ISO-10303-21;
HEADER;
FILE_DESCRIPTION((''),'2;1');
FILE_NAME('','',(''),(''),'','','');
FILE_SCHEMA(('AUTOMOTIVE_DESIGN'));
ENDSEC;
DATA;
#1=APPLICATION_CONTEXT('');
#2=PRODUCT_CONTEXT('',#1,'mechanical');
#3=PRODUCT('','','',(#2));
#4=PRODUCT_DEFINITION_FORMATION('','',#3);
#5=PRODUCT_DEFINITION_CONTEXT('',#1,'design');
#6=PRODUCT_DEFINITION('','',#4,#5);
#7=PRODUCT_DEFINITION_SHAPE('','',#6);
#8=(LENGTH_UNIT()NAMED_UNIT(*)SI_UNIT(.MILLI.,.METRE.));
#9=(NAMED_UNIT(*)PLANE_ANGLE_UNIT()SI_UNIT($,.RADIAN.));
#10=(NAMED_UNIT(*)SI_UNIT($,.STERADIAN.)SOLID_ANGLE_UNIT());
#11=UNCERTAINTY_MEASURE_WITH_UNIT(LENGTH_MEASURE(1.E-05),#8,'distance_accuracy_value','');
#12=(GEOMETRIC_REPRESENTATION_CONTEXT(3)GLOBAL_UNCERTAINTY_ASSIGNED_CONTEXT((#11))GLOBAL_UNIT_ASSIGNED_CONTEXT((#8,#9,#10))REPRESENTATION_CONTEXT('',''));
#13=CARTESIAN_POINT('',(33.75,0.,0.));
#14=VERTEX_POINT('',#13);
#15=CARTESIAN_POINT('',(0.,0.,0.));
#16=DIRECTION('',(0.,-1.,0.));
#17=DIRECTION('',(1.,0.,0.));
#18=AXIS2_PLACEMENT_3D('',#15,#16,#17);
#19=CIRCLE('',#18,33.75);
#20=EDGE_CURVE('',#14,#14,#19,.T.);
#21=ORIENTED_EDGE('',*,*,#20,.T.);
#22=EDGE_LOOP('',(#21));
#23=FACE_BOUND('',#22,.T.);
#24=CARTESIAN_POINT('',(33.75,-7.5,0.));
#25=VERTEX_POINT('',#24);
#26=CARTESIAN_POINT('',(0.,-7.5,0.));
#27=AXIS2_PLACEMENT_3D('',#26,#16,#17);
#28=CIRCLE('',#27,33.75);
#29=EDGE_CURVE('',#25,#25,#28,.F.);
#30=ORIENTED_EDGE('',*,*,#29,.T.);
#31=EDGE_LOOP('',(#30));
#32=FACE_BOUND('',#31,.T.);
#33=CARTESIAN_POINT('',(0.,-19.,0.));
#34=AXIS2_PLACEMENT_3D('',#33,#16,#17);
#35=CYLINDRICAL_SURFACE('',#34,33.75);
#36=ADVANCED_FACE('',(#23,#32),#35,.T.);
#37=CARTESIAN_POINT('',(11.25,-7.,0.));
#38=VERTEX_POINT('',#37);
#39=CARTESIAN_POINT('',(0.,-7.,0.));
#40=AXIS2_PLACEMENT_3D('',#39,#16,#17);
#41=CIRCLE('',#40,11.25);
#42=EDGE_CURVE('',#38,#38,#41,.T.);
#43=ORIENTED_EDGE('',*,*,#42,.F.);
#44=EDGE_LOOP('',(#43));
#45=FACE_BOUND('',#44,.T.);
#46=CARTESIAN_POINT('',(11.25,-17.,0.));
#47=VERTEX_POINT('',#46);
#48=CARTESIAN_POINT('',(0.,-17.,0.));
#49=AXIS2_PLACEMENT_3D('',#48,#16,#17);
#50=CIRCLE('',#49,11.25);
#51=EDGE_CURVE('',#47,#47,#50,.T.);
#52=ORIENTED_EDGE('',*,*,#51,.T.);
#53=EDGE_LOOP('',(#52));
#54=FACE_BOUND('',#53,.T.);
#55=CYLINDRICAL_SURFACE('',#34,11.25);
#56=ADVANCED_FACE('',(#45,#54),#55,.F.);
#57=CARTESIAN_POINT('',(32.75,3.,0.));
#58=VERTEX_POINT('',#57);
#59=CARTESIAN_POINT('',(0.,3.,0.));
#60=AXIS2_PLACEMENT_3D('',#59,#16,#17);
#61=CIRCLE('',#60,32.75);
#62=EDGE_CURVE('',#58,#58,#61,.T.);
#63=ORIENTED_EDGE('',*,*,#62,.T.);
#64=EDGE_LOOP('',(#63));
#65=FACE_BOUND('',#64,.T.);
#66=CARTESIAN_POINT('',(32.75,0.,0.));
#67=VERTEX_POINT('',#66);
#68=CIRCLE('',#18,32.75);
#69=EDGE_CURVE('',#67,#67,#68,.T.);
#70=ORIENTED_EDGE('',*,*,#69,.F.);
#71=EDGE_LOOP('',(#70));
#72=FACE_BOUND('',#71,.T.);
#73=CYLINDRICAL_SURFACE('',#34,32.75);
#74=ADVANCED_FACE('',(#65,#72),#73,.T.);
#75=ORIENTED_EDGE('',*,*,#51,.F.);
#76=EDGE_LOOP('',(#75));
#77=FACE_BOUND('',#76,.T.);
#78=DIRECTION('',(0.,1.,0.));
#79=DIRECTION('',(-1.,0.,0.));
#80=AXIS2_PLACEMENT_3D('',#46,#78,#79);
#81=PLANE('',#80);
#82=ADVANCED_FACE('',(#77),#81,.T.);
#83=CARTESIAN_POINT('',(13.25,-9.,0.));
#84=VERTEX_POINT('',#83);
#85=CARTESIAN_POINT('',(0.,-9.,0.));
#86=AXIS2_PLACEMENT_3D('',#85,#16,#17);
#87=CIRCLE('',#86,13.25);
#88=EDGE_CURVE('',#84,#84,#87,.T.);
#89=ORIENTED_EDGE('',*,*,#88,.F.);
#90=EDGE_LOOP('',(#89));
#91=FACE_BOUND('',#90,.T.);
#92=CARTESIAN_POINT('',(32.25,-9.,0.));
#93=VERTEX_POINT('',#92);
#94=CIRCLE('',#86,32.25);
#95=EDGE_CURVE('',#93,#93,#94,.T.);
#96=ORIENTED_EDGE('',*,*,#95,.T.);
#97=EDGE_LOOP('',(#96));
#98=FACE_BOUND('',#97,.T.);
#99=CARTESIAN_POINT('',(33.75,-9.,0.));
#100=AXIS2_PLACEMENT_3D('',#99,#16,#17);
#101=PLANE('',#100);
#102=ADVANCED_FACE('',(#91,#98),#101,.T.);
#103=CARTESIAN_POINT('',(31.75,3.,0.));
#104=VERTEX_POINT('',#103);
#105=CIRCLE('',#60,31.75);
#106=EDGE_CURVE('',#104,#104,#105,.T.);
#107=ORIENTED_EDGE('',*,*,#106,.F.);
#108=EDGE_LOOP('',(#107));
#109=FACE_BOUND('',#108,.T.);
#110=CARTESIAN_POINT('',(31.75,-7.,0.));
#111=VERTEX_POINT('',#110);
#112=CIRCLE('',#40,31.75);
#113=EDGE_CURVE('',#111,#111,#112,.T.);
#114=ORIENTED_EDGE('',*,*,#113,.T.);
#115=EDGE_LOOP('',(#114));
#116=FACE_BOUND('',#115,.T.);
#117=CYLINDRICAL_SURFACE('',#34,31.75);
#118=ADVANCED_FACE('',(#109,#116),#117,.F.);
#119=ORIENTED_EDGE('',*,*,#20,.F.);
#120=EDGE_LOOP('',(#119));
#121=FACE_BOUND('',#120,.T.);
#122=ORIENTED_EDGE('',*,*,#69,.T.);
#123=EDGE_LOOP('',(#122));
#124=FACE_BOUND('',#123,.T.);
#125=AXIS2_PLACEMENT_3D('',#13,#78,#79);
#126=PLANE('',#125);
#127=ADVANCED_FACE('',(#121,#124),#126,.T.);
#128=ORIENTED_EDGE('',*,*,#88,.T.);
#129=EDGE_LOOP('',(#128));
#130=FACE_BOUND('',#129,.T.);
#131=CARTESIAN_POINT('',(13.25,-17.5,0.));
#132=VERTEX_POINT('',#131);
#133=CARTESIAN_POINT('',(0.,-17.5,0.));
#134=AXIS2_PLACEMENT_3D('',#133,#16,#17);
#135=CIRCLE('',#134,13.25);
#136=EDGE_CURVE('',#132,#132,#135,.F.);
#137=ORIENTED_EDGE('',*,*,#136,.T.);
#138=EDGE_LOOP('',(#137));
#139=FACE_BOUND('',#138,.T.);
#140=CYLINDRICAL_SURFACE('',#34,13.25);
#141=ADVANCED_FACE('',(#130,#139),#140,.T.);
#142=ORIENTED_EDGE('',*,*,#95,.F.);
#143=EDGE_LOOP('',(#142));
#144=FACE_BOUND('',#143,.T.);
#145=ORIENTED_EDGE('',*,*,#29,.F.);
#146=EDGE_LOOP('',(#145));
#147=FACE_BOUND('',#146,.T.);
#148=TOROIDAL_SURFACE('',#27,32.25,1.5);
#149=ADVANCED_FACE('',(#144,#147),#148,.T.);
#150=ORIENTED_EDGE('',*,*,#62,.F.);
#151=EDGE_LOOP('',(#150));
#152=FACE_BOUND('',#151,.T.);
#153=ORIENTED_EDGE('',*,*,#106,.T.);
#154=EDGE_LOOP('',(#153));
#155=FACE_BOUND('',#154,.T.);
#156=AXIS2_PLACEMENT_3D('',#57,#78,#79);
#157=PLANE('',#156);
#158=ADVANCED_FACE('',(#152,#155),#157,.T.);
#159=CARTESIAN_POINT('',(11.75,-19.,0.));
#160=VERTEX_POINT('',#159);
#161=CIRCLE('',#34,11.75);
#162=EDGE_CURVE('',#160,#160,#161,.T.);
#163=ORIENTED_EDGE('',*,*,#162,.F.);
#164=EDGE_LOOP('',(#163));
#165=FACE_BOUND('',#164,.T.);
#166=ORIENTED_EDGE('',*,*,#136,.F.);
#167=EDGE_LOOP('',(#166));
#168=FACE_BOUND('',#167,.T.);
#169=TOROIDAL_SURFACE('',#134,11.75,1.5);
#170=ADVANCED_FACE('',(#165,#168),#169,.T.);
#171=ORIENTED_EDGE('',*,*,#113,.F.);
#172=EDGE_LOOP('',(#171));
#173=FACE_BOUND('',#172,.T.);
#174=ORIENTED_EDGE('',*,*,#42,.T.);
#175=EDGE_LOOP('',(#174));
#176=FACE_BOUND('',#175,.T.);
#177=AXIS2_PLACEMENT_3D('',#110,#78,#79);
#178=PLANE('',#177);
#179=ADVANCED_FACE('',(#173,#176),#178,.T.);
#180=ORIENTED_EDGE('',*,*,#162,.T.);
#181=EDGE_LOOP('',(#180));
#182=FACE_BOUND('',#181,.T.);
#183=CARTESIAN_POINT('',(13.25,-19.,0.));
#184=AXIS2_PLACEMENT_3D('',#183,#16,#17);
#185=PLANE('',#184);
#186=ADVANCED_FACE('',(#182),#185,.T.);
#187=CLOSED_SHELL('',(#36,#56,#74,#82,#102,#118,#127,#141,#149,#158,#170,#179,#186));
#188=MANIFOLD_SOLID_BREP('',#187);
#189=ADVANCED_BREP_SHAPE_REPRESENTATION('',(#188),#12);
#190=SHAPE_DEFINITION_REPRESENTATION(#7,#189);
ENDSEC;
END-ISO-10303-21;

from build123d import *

# Parameters (mm, degrees)
FILLET1_R = 1.5


with BuildPart() as part:
    # Sketch1 → Revolve1 (revolve)
    with BuildSketch(Plane.XY):
        Polygon((33.75, 0), (33.75, -9), (13.25, -9), (13.25, -19), (0, -19), (0, -17), (11.25, -17), (11.25, -7), (31.75, -7), (31.75, 3), (32.75, 3), (32.75, 0), align=None)
    revolve(axis=Axis((0, -19, 0), (0, 1, 0)))

    # Fillet1
    fillet1_edges = [part.edges().sort_by_distance(p)[0] for p in [
        (-13.25, -19, 0),
        (-33.75, -9, 0),
    ]]
    fillet(fillet1_edges, radius=FILLET1_R)


solid = part.part
